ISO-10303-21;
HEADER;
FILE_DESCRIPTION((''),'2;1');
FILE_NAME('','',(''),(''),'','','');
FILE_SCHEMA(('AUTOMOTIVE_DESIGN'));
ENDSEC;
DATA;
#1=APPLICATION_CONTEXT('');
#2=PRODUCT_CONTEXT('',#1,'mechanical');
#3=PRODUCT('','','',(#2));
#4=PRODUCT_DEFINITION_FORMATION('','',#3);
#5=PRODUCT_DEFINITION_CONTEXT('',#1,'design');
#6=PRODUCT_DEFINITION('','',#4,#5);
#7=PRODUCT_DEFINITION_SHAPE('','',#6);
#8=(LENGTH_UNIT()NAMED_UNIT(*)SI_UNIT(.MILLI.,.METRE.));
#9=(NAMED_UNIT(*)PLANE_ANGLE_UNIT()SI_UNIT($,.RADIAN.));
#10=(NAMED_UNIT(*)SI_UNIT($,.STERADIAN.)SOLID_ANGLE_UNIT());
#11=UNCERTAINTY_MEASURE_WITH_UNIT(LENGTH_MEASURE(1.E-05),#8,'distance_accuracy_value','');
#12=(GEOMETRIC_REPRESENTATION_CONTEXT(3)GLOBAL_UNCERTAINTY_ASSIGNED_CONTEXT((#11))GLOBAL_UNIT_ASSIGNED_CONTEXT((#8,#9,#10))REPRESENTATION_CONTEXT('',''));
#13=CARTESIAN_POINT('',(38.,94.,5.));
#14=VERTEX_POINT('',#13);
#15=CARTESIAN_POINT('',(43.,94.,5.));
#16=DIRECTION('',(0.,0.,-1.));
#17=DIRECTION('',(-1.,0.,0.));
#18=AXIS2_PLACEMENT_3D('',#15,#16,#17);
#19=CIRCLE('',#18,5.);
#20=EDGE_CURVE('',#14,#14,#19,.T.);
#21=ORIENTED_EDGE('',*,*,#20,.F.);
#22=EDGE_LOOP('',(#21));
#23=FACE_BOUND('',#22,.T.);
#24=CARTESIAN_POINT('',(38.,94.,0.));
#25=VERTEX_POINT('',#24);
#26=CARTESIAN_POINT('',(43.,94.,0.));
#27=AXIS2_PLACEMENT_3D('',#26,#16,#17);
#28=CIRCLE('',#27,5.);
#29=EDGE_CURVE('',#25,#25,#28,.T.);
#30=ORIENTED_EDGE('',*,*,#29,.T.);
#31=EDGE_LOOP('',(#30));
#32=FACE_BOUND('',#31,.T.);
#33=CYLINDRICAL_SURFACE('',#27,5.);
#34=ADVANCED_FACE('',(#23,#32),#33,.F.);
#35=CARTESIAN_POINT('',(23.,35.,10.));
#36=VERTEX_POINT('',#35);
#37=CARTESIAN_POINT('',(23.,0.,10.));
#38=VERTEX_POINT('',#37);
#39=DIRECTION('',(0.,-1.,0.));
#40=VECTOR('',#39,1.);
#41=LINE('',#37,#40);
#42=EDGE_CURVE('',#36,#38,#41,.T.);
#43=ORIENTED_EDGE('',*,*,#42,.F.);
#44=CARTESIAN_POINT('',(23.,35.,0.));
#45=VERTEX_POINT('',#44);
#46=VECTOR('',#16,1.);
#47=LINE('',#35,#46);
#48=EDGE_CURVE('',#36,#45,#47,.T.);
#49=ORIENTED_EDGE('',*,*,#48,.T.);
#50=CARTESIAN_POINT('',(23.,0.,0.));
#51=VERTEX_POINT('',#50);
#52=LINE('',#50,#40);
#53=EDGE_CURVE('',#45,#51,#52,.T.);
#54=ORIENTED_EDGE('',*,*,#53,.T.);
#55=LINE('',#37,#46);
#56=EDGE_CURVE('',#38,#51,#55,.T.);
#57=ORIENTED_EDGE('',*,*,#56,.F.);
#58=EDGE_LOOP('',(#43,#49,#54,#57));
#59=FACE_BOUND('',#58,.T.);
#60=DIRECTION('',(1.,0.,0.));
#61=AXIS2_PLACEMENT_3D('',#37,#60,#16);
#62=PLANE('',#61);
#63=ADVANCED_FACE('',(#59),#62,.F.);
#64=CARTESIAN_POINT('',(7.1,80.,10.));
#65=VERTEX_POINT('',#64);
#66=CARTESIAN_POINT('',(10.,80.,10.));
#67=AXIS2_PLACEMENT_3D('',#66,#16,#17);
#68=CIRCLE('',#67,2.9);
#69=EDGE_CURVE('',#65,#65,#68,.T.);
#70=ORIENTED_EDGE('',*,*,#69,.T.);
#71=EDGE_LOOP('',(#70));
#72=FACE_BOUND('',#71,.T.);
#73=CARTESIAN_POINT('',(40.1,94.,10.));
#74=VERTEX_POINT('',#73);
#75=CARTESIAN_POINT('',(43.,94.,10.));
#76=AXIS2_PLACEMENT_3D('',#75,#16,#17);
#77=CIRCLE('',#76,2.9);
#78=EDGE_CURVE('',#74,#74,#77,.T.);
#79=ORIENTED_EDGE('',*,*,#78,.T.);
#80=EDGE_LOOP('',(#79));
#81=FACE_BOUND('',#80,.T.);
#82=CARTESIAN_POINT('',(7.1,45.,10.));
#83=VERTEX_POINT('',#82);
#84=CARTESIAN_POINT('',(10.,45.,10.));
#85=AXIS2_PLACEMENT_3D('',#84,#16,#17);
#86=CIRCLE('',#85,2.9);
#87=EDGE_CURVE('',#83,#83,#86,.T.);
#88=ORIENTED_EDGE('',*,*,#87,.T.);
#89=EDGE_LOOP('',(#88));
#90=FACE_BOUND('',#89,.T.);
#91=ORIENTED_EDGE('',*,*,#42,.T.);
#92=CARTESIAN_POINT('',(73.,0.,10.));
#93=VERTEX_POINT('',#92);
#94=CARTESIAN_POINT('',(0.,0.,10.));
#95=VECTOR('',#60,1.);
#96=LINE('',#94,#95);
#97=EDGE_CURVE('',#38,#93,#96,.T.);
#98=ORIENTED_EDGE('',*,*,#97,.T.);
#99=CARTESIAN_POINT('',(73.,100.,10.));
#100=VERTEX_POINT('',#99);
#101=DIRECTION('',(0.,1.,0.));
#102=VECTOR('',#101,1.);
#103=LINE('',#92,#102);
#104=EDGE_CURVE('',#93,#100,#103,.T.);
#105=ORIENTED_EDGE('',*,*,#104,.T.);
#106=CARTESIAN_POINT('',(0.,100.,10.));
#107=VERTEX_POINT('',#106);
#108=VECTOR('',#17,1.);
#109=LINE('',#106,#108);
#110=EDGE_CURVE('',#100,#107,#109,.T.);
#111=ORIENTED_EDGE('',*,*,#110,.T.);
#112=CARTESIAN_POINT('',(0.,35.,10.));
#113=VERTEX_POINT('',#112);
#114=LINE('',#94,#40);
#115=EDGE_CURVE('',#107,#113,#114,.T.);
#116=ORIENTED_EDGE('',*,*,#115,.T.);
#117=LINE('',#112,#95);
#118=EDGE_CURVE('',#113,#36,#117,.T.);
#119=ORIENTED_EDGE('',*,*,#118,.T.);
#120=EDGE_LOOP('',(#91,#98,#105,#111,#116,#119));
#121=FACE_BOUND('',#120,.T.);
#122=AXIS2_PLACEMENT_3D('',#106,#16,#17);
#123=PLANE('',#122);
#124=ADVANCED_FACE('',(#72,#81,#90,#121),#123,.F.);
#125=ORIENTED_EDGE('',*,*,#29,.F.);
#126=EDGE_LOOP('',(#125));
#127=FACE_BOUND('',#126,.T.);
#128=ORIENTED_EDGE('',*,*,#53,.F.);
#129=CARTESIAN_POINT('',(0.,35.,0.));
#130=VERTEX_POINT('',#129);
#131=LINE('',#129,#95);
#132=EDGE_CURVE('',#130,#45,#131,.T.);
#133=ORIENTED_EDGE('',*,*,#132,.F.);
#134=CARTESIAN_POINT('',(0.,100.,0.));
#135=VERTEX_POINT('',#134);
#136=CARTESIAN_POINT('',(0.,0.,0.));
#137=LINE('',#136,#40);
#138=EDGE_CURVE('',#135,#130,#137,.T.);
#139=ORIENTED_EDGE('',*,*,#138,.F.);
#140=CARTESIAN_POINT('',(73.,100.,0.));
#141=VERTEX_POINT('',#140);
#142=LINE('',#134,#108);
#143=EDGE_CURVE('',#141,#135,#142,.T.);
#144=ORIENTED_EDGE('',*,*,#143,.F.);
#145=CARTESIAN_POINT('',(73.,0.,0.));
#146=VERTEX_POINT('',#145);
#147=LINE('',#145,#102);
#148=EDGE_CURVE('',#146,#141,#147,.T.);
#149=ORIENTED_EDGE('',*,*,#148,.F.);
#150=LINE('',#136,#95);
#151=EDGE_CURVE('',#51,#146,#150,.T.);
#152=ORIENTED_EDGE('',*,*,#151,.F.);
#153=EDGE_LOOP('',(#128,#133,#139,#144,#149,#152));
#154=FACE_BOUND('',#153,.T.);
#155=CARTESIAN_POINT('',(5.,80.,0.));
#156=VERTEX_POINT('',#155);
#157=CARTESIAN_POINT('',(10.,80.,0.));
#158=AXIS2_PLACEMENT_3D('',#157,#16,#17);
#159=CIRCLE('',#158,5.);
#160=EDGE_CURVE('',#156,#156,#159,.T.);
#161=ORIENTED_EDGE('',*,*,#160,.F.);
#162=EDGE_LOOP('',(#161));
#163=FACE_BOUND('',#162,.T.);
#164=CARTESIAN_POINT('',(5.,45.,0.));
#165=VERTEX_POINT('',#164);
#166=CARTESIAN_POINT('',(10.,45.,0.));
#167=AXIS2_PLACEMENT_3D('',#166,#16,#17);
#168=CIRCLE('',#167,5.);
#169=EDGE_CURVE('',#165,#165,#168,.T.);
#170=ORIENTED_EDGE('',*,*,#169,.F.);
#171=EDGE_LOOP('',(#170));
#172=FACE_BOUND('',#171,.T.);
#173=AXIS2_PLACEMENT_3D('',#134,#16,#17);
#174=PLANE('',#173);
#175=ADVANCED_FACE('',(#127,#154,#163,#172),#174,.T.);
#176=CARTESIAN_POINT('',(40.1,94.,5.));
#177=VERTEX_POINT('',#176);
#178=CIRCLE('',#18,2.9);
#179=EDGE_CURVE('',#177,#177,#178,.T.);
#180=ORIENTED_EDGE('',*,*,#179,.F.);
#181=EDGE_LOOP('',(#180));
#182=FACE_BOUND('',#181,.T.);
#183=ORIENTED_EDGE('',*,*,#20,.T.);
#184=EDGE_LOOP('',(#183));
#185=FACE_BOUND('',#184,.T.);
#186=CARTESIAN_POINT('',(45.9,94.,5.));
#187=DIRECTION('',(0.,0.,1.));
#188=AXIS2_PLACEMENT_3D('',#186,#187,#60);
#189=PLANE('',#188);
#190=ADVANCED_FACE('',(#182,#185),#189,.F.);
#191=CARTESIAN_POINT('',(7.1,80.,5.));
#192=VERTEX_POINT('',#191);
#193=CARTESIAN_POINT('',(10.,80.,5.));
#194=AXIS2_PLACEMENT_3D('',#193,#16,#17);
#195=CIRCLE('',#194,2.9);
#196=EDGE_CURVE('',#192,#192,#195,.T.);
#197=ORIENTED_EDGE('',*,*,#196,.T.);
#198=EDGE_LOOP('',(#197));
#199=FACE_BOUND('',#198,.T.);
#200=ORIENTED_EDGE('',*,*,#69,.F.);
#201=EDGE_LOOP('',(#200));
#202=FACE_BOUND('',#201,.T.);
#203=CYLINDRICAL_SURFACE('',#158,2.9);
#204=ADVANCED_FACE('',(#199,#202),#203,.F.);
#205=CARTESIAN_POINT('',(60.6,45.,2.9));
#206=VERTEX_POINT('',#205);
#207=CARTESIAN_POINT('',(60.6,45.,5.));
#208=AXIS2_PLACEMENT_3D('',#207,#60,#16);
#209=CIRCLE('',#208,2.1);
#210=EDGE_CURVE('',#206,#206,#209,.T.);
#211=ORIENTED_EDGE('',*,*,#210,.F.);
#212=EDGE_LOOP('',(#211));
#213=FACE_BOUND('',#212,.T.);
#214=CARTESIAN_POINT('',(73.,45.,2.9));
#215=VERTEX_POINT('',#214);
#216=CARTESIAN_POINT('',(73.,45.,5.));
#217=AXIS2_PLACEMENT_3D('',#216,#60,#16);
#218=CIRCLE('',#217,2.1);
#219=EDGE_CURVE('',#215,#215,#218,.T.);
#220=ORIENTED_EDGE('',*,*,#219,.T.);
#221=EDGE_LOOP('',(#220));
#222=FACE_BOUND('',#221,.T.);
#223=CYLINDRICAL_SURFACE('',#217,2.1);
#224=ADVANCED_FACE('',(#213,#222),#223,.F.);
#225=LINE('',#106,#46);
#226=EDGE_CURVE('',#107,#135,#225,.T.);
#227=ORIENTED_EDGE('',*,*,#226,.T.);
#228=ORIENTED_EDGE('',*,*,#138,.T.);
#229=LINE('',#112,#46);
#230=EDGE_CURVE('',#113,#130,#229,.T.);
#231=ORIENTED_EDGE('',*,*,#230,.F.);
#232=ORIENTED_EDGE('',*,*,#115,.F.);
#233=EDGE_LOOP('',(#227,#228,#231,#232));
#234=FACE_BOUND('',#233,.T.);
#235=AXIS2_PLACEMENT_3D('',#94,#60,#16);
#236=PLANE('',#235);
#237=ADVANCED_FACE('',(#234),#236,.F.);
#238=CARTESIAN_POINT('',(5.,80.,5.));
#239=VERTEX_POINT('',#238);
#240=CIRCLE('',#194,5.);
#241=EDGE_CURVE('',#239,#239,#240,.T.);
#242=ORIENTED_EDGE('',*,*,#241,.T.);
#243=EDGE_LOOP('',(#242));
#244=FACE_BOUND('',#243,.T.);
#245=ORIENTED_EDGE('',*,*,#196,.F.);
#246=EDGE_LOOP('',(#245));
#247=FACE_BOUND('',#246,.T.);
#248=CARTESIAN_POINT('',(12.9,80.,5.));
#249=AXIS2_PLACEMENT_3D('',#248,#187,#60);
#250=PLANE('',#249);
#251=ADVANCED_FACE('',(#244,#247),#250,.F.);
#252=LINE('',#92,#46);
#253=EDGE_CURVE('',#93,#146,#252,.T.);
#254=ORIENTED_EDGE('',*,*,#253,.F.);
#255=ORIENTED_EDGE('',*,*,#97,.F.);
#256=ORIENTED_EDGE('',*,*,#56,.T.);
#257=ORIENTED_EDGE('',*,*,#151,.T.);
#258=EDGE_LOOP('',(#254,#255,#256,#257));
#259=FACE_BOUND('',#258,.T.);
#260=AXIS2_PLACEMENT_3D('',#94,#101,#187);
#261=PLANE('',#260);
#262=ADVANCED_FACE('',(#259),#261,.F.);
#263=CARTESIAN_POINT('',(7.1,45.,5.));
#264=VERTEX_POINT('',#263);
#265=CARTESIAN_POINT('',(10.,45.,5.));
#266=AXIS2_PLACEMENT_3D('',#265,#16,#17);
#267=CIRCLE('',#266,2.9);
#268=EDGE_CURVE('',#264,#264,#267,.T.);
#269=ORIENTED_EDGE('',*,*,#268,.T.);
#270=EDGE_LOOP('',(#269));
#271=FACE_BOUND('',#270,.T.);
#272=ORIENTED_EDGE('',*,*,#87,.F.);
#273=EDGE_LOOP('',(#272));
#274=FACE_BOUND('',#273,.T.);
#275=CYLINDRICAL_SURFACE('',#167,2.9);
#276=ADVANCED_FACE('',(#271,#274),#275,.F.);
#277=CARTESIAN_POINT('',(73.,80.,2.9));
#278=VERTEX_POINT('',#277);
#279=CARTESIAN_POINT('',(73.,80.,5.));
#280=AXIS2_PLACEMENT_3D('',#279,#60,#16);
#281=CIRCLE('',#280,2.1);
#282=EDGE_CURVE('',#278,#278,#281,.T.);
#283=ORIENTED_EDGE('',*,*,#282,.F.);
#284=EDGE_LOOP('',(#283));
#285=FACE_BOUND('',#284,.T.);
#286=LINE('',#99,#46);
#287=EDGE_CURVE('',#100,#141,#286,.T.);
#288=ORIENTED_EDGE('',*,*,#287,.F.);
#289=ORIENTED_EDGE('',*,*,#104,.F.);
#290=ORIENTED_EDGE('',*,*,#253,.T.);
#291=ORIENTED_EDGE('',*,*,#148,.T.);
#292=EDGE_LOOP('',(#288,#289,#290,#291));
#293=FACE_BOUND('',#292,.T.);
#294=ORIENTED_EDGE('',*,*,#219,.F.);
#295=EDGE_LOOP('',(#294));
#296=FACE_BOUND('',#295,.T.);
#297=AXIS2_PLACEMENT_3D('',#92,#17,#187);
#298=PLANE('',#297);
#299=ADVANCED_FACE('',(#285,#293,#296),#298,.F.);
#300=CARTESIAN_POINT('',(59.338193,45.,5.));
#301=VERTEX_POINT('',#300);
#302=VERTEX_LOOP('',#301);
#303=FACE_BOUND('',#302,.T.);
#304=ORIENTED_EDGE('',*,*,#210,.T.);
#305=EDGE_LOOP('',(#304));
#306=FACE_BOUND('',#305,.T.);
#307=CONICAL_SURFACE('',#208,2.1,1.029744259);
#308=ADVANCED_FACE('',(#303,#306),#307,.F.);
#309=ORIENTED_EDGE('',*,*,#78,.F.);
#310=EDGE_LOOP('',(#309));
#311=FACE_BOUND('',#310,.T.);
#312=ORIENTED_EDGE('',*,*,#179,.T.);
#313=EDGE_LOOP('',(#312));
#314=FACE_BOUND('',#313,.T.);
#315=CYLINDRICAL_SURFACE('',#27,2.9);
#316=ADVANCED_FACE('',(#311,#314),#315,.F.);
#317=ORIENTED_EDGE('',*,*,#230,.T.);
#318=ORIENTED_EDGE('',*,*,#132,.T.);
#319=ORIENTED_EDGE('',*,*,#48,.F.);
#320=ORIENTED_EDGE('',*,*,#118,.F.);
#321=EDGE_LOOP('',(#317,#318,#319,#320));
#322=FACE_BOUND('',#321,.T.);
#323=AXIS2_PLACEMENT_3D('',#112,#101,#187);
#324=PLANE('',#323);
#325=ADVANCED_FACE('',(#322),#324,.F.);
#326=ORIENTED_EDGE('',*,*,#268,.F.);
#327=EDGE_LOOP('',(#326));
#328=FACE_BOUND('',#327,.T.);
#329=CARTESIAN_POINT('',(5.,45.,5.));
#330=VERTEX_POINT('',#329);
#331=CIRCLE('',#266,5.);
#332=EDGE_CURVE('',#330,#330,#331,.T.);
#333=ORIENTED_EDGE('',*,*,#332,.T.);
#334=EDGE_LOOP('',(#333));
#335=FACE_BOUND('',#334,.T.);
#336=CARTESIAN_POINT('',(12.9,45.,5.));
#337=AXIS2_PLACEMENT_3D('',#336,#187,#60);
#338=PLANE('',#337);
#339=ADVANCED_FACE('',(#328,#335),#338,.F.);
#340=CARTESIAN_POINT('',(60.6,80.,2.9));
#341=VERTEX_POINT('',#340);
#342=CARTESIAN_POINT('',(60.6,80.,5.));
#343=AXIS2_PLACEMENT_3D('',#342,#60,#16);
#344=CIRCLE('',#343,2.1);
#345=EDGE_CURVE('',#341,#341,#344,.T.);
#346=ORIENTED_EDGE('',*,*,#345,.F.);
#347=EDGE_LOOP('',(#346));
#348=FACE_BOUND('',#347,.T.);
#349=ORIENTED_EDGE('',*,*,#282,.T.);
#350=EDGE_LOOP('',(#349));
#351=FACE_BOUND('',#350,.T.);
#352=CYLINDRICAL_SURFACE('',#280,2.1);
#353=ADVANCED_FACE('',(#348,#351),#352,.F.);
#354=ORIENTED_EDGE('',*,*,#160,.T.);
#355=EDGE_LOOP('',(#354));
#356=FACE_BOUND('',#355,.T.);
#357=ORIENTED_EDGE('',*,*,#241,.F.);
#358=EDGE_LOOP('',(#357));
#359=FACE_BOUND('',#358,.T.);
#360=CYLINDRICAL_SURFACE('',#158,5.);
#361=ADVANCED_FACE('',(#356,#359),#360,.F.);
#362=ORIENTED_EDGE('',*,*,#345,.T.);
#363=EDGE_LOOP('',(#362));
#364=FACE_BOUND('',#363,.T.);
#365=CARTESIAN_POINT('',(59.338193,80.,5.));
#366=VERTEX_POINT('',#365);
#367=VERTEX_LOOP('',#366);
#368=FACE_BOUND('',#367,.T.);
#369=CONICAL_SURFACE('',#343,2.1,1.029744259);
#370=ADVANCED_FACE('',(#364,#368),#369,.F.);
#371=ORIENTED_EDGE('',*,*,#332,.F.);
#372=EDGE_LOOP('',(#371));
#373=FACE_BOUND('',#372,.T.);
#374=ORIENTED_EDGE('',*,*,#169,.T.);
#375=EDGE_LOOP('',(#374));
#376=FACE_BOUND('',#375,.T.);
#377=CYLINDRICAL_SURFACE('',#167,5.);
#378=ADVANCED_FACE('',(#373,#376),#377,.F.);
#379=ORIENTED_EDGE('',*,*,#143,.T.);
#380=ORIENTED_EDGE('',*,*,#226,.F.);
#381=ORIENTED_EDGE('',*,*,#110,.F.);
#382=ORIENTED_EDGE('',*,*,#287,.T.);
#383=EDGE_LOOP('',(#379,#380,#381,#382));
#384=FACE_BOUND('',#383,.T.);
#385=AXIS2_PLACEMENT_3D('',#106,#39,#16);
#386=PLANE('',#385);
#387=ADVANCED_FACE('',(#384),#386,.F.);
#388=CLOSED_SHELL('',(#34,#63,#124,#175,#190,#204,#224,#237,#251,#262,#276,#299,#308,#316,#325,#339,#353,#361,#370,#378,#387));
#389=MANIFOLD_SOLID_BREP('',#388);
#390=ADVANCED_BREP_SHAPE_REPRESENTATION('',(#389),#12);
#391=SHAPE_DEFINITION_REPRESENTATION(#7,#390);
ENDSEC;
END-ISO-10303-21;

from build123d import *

# Parameters (mm, degrees)
SKETCH_1_W                   = 73
SKETCH_1_H                   = 100
EXTRUDE_1_DEPTH              = 10
HOLE_WIZARD_M5_1_D           = 5.8
HOLE_WIZARD_M5_1_CBORE_D     = 10
HOLE_WIZARD_M5_1_CBORE_DEPTH = 5
HOLE_WIZARD_M5_1_2_D         = 4.2
HOLE_WIZARD_M5_1_2_DEPTH     = 12.4
HOLE_WIZARD_M5_1_2_TIP       = 1.2618073
SKETCH_6_W                   = 23
SKETCH_6_H                   = 35
CUT_EXTRUDE_1_DEPTH          = 125.213525834


with BuildPart() as part:
    # 草图1 → 凸台-拉伸1 (new body)
    with BuildSketch(Plane.XY):
        with Locations((36.5, 50)):
            Rectangle(SKETCH_1_W, SKETCH_1_H)
    extrude(amount=EXTRUDE_1_DEPTH)

    # Hole Wizard M5 _1 (through all)
    with Locations(Plane(origin=(0, 0, 0), x_dir=(-1, 0, 0), z_dir=(0, 0, -1))):
        with Locations((-10, 80), (-43, 94), (-10, 45)):
            CounterBoreHole(HOLE_WIZARD_M5_1_D / 2, HOLE_WIZARD_M5_1_CBORE_D / 2, HOLE_WIZARD_M5_1_CBORE_DEPTH)

    # Hole Wizard M5 _1 2
    with Locations(Plane(origin=(73, 0, 0), x_dir=(0, 0, -1), z_dir=(1, 0, 0))):
        with Locations((-5, 80), (-5, 45)):
            Hole(HOLE_WIZARD_M5_1_2_D / 2, depth=HOLE_WIZARD_M5_1_2_DEPTH)
            with Locations((0, 0, -(HOLE_WIZARD_M5_1_2_DEPTH + HOLE_WIZARD_M5_1_2_TIP / 2))):  # 118° drill point
                Cone(0, HOLE_WIZARD_M5_1_2_D / 2, HOLE_WIZARD_M5_1_2_TIP, mode=Mode.SUBTRACT)

    # 草图6 → 切除-拉伸1 (cut, through all)
    with BuildSketch(Plane(origin=(0, 0, 0), x_dir=(-1, 0, 0), z_dir=(0, 0, -1))):
        with Locations((-11.5, 17.5)):
            Rectangle(SKETCH_6_W, SKETCH_6_H)
    extrude(amount=-CUT_EXTRUDE_1_DEPTH, mode=Mode.SUBTRACT)


solid = part.part
